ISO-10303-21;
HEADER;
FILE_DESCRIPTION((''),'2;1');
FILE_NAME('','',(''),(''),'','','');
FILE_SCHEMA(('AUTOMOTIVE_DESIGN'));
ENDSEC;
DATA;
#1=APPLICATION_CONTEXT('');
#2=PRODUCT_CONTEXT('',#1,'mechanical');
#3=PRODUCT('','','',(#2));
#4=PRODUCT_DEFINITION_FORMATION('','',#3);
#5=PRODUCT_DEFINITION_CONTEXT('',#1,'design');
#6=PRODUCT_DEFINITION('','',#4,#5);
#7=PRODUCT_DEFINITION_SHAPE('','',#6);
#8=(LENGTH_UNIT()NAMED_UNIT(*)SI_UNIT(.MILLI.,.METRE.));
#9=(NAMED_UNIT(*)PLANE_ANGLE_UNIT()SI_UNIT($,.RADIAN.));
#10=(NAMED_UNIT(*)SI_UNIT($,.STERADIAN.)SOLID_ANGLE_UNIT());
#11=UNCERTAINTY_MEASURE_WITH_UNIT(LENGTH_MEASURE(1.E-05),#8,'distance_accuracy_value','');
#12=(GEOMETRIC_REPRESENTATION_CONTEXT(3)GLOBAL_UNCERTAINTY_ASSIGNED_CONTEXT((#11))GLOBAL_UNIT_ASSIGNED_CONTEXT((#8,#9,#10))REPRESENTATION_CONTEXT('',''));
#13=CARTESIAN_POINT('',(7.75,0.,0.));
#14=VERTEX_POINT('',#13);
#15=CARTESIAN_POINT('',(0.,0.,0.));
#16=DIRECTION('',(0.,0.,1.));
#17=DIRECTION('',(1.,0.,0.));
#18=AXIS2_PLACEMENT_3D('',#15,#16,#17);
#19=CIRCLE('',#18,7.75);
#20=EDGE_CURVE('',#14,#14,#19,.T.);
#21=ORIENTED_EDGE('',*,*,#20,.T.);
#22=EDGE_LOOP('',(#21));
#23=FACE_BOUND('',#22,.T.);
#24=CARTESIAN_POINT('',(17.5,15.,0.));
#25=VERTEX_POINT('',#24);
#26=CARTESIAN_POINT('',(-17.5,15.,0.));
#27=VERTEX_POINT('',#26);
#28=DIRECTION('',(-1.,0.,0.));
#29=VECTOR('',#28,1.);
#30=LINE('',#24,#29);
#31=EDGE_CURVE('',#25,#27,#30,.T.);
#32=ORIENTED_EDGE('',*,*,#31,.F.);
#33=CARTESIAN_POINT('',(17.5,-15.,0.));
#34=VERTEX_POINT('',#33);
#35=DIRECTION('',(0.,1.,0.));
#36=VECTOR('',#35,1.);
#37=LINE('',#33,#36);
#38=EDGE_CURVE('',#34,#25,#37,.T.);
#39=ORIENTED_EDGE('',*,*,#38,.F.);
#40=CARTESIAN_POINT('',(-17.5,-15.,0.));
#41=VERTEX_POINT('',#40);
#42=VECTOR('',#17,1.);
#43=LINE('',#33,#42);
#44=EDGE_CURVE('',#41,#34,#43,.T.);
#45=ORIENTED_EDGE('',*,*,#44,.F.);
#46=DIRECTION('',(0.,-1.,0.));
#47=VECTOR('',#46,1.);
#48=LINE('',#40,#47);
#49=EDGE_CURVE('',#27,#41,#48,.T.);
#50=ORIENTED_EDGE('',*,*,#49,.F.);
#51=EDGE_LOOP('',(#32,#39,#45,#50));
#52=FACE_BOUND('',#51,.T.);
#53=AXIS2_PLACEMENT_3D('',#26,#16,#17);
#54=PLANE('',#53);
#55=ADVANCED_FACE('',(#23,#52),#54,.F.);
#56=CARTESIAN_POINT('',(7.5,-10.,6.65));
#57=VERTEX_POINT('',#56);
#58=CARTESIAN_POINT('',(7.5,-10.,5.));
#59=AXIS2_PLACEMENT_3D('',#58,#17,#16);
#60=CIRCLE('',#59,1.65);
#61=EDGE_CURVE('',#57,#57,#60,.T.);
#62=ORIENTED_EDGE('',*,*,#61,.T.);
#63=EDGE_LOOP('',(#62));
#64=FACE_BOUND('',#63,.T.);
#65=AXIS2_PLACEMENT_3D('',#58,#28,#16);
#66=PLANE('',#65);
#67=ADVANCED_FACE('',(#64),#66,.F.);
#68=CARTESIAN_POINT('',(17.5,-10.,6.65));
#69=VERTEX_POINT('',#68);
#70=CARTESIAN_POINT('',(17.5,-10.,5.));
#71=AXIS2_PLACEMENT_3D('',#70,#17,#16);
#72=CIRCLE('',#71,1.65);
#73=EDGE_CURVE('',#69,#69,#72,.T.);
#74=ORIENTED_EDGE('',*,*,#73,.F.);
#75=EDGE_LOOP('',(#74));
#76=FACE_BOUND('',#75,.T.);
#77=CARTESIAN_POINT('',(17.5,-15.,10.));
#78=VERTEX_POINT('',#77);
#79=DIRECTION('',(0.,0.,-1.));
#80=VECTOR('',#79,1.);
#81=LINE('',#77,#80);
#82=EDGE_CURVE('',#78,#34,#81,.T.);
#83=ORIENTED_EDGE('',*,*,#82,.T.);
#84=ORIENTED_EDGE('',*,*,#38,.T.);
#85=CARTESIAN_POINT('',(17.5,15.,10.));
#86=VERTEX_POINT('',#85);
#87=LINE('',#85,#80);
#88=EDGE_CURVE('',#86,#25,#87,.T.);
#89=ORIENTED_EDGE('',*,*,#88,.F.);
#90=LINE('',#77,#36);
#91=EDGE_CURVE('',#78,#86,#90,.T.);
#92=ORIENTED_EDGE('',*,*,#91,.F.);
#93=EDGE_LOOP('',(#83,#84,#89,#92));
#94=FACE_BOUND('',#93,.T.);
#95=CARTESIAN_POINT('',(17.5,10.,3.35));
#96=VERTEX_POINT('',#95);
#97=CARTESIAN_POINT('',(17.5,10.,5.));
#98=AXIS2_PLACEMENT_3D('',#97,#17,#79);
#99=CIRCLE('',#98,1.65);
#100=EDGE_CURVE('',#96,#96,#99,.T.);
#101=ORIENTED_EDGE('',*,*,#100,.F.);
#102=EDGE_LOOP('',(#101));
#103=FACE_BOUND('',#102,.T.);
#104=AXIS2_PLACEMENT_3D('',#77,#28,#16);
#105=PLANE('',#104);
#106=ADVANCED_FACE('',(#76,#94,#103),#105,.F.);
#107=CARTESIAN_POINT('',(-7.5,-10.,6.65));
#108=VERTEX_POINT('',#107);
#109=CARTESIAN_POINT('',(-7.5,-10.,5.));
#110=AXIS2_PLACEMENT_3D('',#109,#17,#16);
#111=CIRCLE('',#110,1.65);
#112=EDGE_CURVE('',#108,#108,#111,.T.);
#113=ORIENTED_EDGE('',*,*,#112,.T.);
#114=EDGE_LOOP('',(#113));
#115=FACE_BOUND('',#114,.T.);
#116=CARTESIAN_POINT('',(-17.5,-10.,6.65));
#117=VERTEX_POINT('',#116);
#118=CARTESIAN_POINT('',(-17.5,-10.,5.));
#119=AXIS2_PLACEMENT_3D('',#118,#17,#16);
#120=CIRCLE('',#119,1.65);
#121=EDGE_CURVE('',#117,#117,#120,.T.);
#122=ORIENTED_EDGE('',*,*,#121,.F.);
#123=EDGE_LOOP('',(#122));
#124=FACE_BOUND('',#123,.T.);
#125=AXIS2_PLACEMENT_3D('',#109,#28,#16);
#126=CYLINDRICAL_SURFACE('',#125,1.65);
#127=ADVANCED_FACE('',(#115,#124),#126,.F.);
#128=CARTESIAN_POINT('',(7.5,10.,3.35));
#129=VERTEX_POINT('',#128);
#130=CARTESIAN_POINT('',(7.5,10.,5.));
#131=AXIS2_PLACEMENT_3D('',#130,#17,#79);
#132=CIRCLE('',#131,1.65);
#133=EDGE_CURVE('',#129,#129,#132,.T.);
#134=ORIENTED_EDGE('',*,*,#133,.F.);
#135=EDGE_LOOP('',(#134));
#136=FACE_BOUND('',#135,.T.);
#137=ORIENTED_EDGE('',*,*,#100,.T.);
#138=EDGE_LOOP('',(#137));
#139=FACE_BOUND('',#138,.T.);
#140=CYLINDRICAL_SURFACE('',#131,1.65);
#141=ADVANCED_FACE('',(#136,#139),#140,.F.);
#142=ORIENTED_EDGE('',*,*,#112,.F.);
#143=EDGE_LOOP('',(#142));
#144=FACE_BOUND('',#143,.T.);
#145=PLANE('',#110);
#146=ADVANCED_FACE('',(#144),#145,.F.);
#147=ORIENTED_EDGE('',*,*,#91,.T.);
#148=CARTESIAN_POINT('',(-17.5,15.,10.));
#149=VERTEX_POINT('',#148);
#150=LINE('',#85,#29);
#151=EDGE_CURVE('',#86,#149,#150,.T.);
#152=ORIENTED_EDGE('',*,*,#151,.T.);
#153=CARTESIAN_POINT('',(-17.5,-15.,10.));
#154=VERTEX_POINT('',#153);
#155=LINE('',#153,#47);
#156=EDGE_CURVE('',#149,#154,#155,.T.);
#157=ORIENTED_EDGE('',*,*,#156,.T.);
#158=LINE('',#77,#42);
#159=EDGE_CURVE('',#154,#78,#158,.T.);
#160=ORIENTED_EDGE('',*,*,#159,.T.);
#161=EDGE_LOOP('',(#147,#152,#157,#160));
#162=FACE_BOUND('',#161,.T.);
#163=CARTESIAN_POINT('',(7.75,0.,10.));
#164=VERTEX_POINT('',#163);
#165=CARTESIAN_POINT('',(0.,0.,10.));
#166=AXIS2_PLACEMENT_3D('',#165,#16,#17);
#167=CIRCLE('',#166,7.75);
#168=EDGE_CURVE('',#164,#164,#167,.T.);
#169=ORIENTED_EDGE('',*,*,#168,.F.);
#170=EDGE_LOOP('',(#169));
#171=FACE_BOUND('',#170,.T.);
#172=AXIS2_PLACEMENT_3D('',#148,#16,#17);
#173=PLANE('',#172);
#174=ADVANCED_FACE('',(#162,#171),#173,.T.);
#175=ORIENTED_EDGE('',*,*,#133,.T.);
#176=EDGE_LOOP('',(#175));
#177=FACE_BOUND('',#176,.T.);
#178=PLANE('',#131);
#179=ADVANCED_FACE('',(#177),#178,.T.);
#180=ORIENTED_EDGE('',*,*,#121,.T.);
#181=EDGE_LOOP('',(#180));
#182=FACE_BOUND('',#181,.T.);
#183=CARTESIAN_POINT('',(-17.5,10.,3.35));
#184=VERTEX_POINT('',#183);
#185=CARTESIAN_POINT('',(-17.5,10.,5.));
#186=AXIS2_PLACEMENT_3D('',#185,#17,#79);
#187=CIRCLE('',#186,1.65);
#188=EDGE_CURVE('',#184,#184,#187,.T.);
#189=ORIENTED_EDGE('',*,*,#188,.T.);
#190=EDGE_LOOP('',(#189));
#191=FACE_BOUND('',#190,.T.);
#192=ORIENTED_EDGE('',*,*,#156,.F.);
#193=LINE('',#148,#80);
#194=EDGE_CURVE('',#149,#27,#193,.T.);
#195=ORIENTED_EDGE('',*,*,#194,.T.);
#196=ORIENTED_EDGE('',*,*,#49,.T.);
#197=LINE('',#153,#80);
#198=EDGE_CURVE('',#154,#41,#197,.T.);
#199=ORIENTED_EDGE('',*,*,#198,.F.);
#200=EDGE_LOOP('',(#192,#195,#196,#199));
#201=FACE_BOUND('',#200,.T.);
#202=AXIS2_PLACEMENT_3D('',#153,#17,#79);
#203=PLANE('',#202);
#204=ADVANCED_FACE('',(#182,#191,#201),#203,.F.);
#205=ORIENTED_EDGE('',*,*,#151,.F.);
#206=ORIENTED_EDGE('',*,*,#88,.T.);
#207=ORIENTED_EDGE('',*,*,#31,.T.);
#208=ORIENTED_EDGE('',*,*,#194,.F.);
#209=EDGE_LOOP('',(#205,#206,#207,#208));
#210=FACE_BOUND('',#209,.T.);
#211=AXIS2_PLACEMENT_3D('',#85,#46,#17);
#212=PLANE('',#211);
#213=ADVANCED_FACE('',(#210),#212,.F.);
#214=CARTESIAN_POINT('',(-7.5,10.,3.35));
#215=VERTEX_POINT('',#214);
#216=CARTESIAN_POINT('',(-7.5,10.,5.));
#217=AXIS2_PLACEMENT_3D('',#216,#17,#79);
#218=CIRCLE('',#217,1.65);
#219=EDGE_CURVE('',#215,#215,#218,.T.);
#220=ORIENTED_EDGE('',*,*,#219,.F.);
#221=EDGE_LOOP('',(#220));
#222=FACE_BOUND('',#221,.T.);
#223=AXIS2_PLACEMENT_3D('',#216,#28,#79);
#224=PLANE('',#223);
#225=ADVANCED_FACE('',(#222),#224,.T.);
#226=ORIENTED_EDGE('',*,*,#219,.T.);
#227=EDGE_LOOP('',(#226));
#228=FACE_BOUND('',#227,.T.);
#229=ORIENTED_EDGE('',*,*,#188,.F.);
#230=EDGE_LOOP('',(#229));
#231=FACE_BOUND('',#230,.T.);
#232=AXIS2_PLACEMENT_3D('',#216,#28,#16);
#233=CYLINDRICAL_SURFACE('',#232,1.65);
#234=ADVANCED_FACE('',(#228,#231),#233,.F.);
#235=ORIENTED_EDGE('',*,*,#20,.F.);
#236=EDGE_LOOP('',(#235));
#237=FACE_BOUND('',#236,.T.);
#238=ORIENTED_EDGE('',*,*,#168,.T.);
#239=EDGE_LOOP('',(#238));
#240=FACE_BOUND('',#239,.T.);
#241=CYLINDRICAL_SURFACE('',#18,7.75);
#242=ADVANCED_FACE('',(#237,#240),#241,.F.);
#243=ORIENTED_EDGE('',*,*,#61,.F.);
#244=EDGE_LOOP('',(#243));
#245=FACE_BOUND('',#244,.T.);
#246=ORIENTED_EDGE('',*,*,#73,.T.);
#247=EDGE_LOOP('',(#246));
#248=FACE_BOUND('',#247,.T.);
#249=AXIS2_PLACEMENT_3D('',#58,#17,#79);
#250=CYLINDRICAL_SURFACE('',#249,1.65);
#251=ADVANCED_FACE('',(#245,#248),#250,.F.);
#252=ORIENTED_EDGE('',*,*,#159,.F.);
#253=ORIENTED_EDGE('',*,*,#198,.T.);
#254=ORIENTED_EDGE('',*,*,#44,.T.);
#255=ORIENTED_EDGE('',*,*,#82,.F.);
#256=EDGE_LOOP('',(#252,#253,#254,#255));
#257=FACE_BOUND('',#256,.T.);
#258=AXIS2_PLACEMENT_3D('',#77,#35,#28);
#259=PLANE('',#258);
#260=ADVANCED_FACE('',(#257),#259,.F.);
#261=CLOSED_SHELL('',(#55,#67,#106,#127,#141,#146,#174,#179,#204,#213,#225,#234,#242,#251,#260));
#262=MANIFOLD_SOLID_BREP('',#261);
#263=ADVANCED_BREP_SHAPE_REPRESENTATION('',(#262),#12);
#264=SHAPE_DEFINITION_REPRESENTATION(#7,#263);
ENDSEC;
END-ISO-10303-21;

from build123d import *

# Parameters (mm, degrees)
SKETCH1_W           = 35
SKETCH1_H           = 30
BOSS_EXTRUDE1_DEPTH = 10
SKETCH2_R           = 7.75
CUT_EXTRUDE1_DEPTH  = 10
SKETCH3_R           = 1.65
CUT_EXTRUDE2_DEPTH  = 10


with BuildPart() as part:
    # Sketch1 → Boss-Extrude1 (new body)
    with BuildSketch(Plane.XY):
        Rectangle(SKETCH1_W, SKETCH1_H)
    extrude(amount=BOSS_EXTRUDE1_DEPTH)

    # Sketch2 → Cut-Extrude1 (cut)
    with BuildSketch(Plane.XY.offset(10)):
        Circle(SKETCH2_R)
    extrude(amount=-CUT_EXTRUDE1_DEPTH, mode=Mode.SUBTRACT)

    # Sketch3 → Cut-Extrude2 (cut)
    with BuildSketch(Plane(origin=(17.5, 0, 0), x_dir=(0, 0, -1), z_dir=(1, 0, 0))):
        with Locations((-5, 10)):
            Circle(SKETCH3_R)
        with Locations(Location((-5, -10, 0), (0, 0, 180))):
            Circle(SKETCH3_R)
    cut_extrude2 = extrude(amount=-CUT_EXTRUDE2_DEPTH, mode=Mode.SUBTRACT)

    # Mirror1: Cut-Extrude2 across plane
    add(cut_extrude2.mirror(Plane(origin=(0, 0, 0), x_dir=(0, 0, 1), z_dir=(1, 0, 0))), mode=Mode.SUBTRACT)


solid = part.part
